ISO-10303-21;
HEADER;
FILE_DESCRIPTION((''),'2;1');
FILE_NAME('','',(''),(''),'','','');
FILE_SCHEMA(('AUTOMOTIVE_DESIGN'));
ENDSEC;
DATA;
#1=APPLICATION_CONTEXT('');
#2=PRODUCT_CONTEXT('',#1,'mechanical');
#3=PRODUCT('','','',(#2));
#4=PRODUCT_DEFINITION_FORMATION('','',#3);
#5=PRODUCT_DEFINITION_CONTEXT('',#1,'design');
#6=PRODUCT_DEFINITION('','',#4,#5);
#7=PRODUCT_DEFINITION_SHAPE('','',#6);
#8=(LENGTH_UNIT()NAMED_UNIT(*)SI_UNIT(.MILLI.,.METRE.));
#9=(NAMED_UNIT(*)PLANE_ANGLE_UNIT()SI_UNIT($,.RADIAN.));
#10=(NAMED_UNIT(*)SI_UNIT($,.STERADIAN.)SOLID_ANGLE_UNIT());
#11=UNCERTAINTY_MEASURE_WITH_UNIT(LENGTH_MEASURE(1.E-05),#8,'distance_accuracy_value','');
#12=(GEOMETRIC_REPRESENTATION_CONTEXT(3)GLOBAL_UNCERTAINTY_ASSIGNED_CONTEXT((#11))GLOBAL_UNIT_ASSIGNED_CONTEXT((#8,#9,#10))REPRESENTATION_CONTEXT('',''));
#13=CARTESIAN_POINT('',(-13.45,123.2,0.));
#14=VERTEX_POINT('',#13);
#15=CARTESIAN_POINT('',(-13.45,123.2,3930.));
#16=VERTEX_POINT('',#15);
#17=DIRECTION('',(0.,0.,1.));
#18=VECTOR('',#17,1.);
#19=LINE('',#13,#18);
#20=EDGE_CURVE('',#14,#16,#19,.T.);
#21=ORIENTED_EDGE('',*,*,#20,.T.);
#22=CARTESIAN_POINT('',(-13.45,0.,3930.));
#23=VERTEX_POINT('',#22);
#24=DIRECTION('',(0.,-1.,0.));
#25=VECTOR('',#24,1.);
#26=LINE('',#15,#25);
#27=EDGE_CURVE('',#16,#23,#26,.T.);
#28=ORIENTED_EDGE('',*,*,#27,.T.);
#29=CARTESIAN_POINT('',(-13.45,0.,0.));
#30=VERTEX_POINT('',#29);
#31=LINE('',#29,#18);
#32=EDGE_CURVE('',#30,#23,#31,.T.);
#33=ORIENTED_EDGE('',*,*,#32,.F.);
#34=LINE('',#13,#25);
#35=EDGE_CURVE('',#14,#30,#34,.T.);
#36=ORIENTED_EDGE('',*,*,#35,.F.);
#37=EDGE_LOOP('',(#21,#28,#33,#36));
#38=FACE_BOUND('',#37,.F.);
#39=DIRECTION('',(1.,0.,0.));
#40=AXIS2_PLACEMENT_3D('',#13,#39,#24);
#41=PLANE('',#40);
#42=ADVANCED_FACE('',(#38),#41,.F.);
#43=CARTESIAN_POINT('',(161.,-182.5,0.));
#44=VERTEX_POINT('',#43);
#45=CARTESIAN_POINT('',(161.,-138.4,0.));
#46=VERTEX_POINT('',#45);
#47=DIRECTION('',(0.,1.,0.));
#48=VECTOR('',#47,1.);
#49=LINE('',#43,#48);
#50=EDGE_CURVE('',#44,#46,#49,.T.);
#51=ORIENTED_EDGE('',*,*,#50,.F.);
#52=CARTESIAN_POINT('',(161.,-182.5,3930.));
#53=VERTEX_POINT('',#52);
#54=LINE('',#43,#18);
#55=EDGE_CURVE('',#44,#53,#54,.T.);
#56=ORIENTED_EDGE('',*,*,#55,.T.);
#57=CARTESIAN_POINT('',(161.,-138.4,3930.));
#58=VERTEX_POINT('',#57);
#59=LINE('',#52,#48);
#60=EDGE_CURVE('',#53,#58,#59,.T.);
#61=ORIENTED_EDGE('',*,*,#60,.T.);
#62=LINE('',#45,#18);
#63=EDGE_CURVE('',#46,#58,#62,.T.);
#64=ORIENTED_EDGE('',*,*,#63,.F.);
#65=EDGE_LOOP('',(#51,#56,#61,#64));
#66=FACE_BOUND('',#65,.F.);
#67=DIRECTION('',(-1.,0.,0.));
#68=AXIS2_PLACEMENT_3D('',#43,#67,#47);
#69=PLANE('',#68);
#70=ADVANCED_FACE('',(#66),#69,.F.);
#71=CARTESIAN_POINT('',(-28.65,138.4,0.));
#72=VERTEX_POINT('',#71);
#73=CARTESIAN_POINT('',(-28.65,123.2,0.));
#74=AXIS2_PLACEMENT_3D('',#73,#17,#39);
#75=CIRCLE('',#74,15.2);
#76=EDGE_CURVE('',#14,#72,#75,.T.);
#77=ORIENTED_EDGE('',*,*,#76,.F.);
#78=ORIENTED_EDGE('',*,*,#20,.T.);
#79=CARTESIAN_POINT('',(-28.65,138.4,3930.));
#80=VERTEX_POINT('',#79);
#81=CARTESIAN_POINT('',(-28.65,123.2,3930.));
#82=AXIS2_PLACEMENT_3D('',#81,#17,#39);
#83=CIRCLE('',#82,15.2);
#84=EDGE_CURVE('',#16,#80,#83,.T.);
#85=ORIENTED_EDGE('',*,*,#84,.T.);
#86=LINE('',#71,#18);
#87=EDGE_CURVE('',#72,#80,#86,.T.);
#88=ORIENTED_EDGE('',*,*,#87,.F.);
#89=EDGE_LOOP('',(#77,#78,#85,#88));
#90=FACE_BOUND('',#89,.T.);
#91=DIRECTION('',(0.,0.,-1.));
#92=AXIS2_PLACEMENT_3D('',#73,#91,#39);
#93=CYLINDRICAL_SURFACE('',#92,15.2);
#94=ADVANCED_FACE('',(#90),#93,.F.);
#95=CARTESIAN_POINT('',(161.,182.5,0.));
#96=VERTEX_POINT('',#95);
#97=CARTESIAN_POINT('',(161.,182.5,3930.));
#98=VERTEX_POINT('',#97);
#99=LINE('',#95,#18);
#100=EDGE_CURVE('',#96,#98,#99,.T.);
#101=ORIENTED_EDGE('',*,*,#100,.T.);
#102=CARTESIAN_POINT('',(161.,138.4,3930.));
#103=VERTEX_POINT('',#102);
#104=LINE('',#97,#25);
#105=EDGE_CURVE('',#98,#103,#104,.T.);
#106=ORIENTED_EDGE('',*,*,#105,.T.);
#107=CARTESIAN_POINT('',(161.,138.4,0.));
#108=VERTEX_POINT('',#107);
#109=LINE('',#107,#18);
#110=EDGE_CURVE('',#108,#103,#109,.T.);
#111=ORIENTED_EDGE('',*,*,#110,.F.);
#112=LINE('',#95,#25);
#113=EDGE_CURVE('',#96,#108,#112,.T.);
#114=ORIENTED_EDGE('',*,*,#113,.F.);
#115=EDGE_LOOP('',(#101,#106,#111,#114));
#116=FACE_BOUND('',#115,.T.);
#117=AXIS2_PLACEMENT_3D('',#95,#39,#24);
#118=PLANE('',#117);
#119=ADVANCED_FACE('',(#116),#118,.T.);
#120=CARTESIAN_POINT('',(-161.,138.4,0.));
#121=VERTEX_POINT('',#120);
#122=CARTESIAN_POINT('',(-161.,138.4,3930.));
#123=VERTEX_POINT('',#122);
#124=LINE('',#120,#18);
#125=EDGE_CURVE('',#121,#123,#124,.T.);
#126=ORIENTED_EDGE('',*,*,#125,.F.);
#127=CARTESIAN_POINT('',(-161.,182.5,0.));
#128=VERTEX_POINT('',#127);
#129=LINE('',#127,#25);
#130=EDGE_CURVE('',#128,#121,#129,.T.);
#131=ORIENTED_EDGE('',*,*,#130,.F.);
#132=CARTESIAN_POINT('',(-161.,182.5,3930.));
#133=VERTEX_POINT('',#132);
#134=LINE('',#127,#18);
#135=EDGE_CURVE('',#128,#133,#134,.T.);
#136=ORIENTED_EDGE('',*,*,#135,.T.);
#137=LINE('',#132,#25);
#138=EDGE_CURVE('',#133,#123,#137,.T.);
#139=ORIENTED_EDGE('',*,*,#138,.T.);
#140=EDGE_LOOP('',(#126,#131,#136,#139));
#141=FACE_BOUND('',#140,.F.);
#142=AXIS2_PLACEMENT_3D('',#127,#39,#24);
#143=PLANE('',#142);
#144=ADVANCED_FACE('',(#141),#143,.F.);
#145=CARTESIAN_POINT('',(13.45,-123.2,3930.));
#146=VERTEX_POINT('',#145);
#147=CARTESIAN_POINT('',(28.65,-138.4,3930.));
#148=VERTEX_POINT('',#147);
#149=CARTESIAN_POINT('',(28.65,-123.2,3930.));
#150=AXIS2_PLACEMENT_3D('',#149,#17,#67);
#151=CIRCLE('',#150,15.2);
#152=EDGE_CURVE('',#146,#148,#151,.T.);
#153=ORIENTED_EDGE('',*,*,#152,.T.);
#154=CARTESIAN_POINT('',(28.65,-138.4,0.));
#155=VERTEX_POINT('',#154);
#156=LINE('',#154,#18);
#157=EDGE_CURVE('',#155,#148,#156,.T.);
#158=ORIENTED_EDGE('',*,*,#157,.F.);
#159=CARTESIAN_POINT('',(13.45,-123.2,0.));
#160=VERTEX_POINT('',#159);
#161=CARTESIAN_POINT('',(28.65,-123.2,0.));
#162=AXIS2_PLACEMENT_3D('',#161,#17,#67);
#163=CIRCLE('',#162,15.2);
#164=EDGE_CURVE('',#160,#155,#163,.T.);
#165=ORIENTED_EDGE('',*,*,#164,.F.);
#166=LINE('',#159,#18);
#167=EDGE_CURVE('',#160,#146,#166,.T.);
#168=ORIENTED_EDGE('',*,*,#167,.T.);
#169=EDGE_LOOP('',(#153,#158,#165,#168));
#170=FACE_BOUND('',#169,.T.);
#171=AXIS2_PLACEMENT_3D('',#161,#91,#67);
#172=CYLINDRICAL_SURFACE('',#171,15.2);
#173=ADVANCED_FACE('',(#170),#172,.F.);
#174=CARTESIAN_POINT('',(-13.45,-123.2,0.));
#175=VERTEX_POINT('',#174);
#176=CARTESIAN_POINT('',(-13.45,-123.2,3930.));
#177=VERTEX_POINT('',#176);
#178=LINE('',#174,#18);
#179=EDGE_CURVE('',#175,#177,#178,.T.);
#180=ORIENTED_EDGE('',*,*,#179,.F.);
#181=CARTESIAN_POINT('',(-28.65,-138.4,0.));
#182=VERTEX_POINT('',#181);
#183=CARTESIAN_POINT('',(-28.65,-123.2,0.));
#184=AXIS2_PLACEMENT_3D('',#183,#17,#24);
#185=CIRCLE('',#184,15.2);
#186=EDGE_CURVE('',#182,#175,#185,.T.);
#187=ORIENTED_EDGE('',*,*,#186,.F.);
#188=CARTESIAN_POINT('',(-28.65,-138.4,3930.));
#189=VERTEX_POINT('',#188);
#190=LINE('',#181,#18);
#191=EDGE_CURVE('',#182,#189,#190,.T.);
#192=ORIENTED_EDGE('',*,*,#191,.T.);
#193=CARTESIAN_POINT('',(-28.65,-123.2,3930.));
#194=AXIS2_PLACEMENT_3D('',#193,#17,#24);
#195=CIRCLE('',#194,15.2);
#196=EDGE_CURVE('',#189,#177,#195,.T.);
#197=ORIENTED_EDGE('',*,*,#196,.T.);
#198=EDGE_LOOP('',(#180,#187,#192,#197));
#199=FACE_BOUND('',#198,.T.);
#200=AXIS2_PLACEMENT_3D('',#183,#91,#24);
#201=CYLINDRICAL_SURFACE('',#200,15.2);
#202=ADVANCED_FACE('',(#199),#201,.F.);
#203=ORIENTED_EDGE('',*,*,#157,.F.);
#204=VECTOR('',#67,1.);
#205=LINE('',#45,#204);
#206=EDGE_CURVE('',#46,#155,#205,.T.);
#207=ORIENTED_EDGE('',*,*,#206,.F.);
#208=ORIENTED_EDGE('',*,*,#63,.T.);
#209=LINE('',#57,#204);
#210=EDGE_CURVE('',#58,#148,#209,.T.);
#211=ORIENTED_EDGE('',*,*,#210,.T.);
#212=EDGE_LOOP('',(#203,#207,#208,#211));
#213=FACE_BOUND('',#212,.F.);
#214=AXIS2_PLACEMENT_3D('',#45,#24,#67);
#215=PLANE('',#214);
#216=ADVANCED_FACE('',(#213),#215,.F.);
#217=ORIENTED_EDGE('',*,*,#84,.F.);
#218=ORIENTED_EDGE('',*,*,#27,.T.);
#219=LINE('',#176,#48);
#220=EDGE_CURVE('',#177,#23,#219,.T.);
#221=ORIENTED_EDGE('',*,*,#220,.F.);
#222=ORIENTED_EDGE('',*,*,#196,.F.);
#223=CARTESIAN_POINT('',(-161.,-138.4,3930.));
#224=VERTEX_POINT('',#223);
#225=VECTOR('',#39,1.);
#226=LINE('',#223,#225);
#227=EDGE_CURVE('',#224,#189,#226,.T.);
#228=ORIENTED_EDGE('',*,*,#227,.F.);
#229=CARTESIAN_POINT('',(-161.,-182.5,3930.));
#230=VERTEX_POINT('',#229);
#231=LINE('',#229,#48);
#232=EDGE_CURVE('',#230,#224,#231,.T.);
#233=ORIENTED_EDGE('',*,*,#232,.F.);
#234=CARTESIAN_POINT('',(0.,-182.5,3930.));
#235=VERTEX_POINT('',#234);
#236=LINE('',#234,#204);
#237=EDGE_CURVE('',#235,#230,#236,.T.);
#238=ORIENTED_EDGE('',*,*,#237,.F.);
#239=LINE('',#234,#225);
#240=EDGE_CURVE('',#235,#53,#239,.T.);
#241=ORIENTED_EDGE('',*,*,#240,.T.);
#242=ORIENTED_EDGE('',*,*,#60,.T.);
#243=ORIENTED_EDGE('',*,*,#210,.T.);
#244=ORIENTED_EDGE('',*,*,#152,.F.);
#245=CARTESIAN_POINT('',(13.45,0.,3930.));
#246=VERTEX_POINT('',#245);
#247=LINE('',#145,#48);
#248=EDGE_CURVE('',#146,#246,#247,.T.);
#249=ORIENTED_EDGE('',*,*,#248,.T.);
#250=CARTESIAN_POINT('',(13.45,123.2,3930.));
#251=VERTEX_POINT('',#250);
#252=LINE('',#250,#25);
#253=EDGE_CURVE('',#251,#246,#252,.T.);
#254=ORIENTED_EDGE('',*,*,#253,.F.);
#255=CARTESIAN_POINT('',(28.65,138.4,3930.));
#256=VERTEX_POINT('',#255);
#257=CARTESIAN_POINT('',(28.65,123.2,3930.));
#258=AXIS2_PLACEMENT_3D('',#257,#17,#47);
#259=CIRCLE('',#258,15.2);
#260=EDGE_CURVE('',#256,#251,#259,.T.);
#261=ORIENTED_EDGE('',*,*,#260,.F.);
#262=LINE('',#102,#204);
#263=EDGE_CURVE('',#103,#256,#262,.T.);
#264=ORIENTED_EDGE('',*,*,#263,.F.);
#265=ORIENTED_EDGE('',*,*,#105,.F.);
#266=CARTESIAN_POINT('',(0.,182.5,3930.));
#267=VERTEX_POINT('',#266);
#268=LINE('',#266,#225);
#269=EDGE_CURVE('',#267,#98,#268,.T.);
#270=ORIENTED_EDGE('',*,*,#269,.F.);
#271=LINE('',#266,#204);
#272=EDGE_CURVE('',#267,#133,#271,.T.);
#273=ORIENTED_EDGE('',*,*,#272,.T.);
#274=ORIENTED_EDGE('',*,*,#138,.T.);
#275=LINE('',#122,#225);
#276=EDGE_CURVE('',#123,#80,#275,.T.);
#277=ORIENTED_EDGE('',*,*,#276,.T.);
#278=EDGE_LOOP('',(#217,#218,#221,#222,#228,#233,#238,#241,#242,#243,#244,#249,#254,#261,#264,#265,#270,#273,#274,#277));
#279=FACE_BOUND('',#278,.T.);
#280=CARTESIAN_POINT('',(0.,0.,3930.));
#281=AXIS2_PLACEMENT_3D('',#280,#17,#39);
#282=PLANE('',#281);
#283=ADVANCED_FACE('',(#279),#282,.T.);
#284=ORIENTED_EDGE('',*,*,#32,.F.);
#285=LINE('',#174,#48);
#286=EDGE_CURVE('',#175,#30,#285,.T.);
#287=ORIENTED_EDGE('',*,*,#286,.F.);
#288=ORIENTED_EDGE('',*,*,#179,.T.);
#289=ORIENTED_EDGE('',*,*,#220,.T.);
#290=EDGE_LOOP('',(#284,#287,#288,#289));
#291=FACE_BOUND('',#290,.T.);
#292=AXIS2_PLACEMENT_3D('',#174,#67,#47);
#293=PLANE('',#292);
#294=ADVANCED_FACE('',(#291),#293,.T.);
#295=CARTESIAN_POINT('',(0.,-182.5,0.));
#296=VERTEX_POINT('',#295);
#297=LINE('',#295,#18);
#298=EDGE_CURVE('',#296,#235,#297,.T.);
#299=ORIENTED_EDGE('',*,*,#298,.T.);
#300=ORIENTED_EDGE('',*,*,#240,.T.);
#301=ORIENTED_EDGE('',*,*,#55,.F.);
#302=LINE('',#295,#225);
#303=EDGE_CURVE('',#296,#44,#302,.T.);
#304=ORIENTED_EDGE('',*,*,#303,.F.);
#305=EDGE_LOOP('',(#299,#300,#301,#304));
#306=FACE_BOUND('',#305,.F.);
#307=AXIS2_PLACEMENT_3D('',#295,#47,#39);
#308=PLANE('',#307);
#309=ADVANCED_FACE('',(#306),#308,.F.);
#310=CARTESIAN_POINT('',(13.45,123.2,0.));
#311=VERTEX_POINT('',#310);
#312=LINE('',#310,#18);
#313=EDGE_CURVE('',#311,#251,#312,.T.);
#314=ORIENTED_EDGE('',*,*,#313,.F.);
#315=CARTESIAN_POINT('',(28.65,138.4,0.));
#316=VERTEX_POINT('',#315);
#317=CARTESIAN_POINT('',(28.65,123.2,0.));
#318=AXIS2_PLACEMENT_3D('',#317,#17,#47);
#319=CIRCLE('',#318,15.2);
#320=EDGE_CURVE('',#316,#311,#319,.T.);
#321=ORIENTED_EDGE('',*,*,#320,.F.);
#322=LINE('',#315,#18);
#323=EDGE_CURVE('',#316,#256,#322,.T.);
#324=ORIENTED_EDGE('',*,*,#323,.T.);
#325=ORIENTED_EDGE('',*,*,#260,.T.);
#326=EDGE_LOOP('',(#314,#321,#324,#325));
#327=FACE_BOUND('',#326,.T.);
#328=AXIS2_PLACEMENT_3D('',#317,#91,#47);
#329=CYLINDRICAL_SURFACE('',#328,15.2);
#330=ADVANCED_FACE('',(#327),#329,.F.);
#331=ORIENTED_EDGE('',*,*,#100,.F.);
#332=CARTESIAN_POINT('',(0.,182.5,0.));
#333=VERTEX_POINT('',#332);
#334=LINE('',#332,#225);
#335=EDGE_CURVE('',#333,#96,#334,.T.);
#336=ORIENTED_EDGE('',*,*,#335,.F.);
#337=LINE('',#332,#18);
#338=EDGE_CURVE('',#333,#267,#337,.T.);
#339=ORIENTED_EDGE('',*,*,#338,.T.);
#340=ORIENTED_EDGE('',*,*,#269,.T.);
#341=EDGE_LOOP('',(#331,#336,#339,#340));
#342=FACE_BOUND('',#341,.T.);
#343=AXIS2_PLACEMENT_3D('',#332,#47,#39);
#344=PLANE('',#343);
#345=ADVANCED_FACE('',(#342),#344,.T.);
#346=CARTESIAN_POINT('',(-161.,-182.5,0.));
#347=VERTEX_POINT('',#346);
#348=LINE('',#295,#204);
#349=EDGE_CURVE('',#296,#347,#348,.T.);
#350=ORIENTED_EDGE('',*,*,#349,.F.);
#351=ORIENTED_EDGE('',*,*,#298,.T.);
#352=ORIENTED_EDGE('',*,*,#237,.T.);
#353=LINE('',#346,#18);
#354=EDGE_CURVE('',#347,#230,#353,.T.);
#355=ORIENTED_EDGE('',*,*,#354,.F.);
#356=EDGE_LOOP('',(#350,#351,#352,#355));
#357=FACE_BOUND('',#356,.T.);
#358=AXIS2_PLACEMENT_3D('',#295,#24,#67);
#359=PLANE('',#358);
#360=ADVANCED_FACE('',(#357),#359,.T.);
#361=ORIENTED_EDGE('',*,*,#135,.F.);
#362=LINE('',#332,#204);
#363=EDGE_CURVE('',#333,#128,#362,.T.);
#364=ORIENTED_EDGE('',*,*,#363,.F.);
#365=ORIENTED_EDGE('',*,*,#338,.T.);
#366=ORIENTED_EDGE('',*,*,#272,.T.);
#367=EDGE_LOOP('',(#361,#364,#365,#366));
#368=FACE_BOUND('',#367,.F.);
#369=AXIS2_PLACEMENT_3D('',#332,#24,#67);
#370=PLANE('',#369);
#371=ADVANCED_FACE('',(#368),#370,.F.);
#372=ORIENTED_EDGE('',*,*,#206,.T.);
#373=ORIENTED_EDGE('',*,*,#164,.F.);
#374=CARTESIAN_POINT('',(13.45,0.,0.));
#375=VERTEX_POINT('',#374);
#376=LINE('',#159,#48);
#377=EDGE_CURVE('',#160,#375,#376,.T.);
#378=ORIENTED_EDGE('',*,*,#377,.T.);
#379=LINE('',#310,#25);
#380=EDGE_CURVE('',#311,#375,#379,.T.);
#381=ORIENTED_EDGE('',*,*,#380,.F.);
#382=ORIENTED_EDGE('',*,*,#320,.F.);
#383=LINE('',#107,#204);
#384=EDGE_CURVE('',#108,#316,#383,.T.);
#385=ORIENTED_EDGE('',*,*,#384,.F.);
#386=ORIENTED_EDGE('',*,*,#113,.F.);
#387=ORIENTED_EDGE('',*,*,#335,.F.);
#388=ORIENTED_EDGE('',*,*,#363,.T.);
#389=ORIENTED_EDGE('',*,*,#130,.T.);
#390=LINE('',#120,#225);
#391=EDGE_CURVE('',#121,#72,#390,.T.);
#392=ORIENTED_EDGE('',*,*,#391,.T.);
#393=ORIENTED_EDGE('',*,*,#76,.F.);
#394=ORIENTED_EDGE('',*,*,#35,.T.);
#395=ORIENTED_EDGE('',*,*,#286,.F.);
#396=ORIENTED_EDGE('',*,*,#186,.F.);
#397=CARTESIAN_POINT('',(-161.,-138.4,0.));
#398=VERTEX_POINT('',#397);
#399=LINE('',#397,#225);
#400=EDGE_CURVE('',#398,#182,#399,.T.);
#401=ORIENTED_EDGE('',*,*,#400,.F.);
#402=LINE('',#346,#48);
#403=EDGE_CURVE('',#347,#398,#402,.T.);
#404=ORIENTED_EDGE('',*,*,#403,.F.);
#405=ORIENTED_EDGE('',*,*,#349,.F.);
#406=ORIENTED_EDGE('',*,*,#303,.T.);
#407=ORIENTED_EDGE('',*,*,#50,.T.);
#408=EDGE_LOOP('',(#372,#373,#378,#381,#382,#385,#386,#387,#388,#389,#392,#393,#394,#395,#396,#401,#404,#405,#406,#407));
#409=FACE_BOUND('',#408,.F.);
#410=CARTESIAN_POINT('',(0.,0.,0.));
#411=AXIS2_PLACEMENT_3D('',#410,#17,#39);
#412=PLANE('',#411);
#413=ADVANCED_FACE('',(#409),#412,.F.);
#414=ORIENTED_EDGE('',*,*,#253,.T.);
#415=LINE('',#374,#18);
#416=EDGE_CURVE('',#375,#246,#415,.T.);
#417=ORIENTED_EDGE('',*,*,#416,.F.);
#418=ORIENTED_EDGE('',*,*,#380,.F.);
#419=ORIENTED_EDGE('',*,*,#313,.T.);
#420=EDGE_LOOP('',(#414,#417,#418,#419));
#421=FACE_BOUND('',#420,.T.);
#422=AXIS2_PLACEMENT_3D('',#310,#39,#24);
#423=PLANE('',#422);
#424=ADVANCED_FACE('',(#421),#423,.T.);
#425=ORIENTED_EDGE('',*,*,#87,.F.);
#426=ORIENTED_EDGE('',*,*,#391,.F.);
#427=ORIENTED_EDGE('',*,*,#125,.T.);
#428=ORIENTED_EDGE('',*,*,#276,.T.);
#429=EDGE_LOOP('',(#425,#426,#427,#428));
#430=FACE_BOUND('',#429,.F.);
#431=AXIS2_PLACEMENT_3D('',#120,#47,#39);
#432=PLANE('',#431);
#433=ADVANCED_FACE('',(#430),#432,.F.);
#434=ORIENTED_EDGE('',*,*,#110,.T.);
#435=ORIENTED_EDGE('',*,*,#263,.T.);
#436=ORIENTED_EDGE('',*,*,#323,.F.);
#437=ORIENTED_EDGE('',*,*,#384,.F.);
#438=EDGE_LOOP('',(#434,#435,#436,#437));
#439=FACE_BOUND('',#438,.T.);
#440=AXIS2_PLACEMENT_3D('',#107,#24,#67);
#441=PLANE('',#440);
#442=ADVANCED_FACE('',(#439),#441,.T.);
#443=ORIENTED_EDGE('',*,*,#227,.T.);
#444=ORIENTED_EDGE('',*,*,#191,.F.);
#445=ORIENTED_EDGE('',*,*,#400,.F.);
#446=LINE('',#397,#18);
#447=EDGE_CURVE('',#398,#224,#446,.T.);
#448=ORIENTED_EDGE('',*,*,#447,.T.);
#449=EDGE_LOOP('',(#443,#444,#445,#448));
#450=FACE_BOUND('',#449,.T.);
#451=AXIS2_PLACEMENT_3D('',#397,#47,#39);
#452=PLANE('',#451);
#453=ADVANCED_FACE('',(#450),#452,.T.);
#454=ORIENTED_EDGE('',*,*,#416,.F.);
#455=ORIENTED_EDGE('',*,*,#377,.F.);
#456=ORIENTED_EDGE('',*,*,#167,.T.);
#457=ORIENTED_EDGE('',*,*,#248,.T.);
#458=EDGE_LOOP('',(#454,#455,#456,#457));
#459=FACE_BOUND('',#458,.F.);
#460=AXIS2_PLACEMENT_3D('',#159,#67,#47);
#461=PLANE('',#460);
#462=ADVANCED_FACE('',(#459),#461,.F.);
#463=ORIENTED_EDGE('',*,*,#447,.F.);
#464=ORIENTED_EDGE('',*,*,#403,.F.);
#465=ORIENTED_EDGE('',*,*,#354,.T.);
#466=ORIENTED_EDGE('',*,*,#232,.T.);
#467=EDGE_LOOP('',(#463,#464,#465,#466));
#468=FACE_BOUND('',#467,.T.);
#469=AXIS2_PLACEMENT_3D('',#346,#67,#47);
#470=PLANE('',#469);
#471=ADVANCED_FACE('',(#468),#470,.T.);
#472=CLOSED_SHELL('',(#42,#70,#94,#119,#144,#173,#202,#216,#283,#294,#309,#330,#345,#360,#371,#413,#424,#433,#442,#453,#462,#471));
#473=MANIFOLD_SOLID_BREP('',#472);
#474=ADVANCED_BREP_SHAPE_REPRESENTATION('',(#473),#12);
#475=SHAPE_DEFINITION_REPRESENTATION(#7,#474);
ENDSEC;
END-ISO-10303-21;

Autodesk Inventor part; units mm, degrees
ref_plane "YZ Plane" through (0, 0, 0) normal (1, 0, 0) x (0, 1, 0)
ref_plane "Start plane" through (0, 0, 0) normal (0, 0, 1) x (1, 0, 0)
ref_plane "End plane" through (0, 0, 3930) normal (0, 0, 1) x (1, 0, 0)
sketch "Sketch" plane through (0, 0, 0) normal (0, 0, 1) x (1, 0, 0)
  line L0 (-161, -182.5) -> (-161, -138.4)
  line L1 (-161, -138.4) -> (-28.65, -138.4)
  line L2 (-13.45, -123.2) -> (-13.45, 0)
  line L3 (-13.45, 0) -> (0, 0) construction
  line L4 (0, 0) -> (0, -182.5) construction
  line L5 (0, -182.5) -> (-161, -182.5)
  line L6 (-60, 0) -> (80, 0) construction
  line L7 (0, -60) -> (0, 80) construction
  line L8 (161, -182.5) -> (161, -138.4)
  line L9 (161, -138.4) -> (28.65, -138.4)
  line L10 (13.45, -123.2) -> (13.45, 0)
  line L11 (13.45, 0) -> (0, 0) construction
  line L12 (0, -182.5) -> (161, -182.5)
  line L13 (-161, 182.5) -> (-161, 138.4)
  line L14 (-161, 138.4) -> (-28.65, 138.4)
  line L15 (-13.45, 123.2) -> (-13.45, 0)
  line L16 (0, 182.5) -> (-161, 182.5)
  line L17 (161, 182.5) -> (161, 138.4)
  line L18 (161, 138.4) -> (28.65, 138.4)
  line L19 (0, 182.5) -> (161, 182.5)
  line L20 (13.45, 123.2) -> (13.45, 0)
  arc A0 (-13.45, 123.2) -> (-28.65, 138.4) centre (-28.65, 123.2) ccw
  arc A1 (28.65, 138.4) -> (13.45, 123.2) centre (28.65, 123.2) ccw
  arc A2 (13.45, -123.2) -> (28.65, -138.4) centre (28.65, -123.2) ccw
  arc A3 (-28.65, -138.4) -> (-13.45, -123.2) centre (-28.65, -123.2) ccw
  line L21 (0, 108) -> (0, -88) construction
  line L22 (-88, 0) -> (108, 0) construction
  point P0 (-13.45, -138.4)
  point P1 (13.45, -138.4)
  point P2 (-13.45, 138.4)
  point P3 (13.45, 138.4)
  dimension "d1" = 182.5
  dimension "d2" = 44.1
  dimension "d3" = 161
  dimension "d4" = 13.45
  dimension "d10" = 15.2
extrude "Body" add sketch "Sketch" along normal up to surface (3930 mm away) from surface at 0
sketch "Sketch4" plane through (0, 0, 0) normal (0, 0, 1) x (1, 0, 0)
  line L0 (0, 0) -> (10, 0)
ref_plane "Work Plane3" through (0, 0, 0) normal (0, -1, 0) x (1, 0, 0)
sketch "Sketch5" plane through (0, 0, 0) normal (0, -1, 0) x (1, 0, 0)
  line L0 (-2, 0) -> (12, 0) projected
  line L1 (-2, 3930) -> (12, 3930) projected
  dimension "d14" = 3930
equation "\"d1\" = 0.5 * G_H"
equation "\"d2\" = G_T1"
equation "\"d3\" = 0.5 * G_W"
equation "\"d4\" = 0.5 * G_T"
equation "\"d10\" = G_IR"
equation "\"d5\" = G_L"
equation "\"G_W\" = 322"
equation "\"G_H\" = 365"
equation "\"G_T\" = 26.9"
equation "\"G_T1\" = 44.1"
equation "\"G_IR\" = 15.2"
equation "\"G_L\" = d14"
equation "\"G_OFFSET_START\" = 0"
equation "\"G_OFFSET_END\" = 0"
properties part number "AS 3679 - 310 UC - 283 - 3930" material "Steel, Mild"
